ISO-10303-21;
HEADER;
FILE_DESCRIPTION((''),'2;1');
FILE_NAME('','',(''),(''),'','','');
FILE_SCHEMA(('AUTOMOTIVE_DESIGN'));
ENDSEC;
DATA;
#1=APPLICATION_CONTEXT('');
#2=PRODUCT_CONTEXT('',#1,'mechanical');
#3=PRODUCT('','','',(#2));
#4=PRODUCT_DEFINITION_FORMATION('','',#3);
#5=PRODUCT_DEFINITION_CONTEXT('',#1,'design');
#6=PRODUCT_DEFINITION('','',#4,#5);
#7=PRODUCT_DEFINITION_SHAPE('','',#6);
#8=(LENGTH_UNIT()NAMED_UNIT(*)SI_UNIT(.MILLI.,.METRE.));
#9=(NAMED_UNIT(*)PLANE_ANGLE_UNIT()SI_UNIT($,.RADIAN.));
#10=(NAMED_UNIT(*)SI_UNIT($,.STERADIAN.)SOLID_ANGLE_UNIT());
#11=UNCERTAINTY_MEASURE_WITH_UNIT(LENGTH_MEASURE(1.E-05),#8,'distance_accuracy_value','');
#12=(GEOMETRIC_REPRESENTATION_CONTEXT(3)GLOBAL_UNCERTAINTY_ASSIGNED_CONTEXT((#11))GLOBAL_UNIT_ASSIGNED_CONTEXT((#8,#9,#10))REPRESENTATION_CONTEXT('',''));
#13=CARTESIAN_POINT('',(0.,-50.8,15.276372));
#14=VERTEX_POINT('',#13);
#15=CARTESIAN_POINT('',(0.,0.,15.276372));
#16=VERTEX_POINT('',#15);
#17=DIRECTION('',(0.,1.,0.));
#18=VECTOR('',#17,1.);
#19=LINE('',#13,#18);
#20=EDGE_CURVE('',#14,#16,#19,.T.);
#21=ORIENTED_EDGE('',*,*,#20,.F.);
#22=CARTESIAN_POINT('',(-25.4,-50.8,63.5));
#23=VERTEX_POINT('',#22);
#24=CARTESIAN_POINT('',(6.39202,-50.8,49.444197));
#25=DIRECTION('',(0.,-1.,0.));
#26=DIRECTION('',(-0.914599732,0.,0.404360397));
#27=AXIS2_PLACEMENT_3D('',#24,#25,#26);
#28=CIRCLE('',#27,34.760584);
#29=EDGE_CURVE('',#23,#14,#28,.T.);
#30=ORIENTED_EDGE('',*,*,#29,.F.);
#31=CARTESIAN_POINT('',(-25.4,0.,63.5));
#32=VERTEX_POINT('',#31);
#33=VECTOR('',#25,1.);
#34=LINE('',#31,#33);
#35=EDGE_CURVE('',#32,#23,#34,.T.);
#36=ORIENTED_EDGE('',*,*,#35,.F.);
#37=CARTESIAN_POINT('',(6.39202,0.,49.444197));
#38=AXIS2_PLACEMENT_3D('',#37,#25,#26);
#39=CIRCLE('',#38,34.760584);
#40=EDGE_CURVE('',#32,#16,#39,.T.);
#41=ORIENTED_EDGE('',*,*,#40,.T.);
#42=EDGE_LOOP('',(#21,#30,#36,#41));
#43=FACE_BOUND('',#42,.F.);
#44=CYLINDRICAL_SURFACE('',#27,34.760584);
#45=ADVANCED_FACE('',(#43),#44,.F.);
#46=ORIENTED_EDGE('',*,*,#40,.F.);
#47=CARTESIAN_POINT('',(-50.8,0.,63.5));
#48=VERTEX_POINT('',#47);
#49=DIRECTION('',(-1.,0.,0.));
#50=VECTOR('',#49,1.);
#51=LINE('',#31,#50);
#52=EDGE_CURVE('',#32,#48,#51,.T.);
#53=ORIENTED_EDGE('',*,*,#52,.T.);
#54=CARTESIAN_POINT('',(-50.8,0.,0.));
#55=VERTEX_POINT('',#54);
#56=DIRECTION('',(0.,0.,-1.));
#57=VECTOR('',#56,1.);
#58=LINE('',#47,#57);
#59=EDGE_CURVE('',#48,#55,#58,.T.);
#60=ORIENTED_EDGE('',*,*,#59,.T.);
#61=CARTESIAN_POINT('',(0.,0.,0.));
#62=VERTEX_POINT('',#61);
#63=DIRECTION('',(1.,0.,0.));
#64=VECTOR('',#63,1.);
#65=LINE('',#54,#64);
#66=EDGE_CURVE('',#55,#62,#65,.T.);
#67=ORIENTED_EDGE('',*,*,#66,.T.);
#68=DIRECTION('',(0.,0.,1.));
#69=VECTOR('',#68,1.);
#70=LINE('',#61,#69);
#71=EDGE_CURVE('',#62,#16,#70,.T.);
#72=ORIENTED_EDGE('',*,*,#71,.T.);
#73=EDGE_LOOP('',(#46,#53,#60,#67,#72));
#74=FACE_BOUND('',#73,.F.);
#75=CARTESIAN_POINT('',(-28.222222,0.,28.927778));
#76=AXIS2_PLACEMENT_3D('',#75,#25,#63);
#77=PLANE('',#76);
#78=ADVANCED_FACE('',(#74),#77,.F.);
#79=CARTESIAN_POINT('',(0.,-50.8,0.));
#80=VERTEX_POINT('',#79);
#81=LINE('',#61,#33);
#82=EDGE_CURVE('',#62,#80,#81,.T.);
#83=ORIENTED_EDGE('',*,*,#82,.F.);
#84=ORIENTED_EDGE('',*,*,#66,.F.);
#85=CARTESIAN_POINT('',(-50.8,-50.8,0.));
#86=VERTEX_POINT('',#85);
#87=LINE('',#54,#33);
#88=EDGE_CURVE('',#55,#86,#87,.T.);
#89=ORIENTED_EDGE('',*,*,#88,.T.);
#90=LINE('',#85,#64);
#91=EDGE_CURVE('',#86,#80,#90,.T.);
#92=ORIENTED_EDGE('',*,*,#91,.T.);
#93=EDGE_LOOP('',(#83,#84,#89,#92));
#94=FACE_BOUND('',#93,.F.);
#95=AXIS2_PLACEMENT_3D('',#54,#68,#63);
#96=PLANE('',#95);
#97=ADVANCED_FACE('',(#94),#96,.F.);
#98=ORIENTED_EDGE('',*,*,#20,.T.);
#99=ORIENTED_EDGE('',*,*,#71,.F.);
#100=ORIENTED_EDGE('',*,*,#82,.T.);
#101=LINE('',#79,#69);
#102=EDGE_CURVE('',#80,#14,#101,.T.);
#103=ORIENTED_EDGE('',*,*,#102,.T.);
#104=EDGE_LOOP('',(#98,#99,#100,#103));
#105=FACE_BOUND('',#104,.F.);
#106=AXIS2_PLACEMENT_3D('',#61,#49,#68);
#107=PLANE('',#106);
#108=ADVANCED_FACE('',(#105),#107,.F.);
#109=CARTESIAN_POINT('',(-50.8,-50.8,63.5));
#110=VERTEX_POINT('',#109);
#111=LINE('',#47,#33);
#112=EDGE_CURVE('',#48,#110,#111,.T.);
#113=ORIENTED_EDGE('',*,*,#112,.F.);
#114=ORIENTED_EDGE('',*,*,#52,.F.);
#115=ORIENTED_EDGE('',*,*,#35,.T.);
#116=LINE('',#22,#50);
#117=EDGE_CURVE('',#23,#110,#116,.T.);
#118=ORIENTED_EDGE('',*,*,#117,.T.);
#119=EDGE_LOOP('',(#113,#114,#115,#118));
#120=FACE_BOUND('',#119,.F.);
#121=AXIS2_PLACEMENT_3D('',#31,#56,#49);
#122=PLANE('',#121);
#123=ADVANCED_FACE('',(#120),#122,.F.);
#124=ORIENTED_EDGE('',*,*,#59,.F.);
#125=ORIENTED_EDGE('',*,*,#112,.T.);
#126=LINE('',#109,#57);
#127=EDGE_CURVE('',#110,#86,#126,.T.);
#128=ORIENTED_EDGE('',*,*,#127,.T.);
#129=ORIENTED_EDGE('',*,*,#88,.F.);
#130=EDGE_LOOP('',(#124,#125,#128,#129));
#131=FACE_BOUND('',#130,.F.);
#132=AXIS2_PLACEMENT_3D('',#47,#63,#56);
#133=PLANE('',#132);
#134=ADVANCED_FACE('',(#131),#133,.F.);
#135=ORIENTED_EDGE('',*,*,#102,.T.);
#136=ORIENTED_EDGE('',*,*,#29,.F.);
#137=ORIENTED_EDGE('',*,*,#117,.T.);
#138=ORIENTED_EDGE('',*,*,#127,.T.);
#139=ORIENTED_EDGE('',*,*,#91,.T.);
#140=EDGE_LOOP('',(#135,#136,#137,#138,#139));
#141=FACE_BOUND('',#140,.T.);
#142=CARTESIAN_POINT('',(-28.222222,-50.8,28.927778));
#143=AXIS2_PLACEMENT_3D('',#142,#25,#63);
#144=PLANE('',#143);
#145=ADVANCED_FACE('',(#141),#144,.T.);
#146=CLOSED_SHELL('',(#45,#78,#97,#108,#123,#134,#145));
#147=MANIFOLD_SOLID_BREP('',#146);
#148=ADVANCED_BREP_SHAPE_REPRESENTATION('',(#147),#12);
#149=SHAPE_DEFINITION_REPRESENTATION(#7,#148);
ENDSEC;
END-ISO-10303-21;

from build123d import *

# Parameters (mm, degrees)
F1_DEPTH = 50.8
F3_DEPTH = 50.8


with BuildPart() as f1:
    # F0 (on Front) → F1 (new body)
    with BuildSketch(Plane.XZ):
        Polygon((-50.8, 0), (0, 0), (0, 38.1), (-25.4, 38.1), (-25.4, 63.5), (-50.8, 63.5), align=None)
    extrude(amount=F1_DEPTH)

    # F2 (on face) → F3 (cut)
    with BuildSketch(Plane.XZ.offset(50.8)):
        with BuildLine():
            Line((-25.4, 38.1), (-25.4, 63.5))
            ThreePointArc((-25.4, 63.5), (-24.36322, 33.245019), (0, 15.276372))
            Line((0, 15.276372), (0, 38.1))
            Line((0, 38.1), (-25.4, 38.1))
        make_face()
    extrude(amount=-F3_DEPTH, mode=Mode.SUBTRACT)


solid = f1.part
